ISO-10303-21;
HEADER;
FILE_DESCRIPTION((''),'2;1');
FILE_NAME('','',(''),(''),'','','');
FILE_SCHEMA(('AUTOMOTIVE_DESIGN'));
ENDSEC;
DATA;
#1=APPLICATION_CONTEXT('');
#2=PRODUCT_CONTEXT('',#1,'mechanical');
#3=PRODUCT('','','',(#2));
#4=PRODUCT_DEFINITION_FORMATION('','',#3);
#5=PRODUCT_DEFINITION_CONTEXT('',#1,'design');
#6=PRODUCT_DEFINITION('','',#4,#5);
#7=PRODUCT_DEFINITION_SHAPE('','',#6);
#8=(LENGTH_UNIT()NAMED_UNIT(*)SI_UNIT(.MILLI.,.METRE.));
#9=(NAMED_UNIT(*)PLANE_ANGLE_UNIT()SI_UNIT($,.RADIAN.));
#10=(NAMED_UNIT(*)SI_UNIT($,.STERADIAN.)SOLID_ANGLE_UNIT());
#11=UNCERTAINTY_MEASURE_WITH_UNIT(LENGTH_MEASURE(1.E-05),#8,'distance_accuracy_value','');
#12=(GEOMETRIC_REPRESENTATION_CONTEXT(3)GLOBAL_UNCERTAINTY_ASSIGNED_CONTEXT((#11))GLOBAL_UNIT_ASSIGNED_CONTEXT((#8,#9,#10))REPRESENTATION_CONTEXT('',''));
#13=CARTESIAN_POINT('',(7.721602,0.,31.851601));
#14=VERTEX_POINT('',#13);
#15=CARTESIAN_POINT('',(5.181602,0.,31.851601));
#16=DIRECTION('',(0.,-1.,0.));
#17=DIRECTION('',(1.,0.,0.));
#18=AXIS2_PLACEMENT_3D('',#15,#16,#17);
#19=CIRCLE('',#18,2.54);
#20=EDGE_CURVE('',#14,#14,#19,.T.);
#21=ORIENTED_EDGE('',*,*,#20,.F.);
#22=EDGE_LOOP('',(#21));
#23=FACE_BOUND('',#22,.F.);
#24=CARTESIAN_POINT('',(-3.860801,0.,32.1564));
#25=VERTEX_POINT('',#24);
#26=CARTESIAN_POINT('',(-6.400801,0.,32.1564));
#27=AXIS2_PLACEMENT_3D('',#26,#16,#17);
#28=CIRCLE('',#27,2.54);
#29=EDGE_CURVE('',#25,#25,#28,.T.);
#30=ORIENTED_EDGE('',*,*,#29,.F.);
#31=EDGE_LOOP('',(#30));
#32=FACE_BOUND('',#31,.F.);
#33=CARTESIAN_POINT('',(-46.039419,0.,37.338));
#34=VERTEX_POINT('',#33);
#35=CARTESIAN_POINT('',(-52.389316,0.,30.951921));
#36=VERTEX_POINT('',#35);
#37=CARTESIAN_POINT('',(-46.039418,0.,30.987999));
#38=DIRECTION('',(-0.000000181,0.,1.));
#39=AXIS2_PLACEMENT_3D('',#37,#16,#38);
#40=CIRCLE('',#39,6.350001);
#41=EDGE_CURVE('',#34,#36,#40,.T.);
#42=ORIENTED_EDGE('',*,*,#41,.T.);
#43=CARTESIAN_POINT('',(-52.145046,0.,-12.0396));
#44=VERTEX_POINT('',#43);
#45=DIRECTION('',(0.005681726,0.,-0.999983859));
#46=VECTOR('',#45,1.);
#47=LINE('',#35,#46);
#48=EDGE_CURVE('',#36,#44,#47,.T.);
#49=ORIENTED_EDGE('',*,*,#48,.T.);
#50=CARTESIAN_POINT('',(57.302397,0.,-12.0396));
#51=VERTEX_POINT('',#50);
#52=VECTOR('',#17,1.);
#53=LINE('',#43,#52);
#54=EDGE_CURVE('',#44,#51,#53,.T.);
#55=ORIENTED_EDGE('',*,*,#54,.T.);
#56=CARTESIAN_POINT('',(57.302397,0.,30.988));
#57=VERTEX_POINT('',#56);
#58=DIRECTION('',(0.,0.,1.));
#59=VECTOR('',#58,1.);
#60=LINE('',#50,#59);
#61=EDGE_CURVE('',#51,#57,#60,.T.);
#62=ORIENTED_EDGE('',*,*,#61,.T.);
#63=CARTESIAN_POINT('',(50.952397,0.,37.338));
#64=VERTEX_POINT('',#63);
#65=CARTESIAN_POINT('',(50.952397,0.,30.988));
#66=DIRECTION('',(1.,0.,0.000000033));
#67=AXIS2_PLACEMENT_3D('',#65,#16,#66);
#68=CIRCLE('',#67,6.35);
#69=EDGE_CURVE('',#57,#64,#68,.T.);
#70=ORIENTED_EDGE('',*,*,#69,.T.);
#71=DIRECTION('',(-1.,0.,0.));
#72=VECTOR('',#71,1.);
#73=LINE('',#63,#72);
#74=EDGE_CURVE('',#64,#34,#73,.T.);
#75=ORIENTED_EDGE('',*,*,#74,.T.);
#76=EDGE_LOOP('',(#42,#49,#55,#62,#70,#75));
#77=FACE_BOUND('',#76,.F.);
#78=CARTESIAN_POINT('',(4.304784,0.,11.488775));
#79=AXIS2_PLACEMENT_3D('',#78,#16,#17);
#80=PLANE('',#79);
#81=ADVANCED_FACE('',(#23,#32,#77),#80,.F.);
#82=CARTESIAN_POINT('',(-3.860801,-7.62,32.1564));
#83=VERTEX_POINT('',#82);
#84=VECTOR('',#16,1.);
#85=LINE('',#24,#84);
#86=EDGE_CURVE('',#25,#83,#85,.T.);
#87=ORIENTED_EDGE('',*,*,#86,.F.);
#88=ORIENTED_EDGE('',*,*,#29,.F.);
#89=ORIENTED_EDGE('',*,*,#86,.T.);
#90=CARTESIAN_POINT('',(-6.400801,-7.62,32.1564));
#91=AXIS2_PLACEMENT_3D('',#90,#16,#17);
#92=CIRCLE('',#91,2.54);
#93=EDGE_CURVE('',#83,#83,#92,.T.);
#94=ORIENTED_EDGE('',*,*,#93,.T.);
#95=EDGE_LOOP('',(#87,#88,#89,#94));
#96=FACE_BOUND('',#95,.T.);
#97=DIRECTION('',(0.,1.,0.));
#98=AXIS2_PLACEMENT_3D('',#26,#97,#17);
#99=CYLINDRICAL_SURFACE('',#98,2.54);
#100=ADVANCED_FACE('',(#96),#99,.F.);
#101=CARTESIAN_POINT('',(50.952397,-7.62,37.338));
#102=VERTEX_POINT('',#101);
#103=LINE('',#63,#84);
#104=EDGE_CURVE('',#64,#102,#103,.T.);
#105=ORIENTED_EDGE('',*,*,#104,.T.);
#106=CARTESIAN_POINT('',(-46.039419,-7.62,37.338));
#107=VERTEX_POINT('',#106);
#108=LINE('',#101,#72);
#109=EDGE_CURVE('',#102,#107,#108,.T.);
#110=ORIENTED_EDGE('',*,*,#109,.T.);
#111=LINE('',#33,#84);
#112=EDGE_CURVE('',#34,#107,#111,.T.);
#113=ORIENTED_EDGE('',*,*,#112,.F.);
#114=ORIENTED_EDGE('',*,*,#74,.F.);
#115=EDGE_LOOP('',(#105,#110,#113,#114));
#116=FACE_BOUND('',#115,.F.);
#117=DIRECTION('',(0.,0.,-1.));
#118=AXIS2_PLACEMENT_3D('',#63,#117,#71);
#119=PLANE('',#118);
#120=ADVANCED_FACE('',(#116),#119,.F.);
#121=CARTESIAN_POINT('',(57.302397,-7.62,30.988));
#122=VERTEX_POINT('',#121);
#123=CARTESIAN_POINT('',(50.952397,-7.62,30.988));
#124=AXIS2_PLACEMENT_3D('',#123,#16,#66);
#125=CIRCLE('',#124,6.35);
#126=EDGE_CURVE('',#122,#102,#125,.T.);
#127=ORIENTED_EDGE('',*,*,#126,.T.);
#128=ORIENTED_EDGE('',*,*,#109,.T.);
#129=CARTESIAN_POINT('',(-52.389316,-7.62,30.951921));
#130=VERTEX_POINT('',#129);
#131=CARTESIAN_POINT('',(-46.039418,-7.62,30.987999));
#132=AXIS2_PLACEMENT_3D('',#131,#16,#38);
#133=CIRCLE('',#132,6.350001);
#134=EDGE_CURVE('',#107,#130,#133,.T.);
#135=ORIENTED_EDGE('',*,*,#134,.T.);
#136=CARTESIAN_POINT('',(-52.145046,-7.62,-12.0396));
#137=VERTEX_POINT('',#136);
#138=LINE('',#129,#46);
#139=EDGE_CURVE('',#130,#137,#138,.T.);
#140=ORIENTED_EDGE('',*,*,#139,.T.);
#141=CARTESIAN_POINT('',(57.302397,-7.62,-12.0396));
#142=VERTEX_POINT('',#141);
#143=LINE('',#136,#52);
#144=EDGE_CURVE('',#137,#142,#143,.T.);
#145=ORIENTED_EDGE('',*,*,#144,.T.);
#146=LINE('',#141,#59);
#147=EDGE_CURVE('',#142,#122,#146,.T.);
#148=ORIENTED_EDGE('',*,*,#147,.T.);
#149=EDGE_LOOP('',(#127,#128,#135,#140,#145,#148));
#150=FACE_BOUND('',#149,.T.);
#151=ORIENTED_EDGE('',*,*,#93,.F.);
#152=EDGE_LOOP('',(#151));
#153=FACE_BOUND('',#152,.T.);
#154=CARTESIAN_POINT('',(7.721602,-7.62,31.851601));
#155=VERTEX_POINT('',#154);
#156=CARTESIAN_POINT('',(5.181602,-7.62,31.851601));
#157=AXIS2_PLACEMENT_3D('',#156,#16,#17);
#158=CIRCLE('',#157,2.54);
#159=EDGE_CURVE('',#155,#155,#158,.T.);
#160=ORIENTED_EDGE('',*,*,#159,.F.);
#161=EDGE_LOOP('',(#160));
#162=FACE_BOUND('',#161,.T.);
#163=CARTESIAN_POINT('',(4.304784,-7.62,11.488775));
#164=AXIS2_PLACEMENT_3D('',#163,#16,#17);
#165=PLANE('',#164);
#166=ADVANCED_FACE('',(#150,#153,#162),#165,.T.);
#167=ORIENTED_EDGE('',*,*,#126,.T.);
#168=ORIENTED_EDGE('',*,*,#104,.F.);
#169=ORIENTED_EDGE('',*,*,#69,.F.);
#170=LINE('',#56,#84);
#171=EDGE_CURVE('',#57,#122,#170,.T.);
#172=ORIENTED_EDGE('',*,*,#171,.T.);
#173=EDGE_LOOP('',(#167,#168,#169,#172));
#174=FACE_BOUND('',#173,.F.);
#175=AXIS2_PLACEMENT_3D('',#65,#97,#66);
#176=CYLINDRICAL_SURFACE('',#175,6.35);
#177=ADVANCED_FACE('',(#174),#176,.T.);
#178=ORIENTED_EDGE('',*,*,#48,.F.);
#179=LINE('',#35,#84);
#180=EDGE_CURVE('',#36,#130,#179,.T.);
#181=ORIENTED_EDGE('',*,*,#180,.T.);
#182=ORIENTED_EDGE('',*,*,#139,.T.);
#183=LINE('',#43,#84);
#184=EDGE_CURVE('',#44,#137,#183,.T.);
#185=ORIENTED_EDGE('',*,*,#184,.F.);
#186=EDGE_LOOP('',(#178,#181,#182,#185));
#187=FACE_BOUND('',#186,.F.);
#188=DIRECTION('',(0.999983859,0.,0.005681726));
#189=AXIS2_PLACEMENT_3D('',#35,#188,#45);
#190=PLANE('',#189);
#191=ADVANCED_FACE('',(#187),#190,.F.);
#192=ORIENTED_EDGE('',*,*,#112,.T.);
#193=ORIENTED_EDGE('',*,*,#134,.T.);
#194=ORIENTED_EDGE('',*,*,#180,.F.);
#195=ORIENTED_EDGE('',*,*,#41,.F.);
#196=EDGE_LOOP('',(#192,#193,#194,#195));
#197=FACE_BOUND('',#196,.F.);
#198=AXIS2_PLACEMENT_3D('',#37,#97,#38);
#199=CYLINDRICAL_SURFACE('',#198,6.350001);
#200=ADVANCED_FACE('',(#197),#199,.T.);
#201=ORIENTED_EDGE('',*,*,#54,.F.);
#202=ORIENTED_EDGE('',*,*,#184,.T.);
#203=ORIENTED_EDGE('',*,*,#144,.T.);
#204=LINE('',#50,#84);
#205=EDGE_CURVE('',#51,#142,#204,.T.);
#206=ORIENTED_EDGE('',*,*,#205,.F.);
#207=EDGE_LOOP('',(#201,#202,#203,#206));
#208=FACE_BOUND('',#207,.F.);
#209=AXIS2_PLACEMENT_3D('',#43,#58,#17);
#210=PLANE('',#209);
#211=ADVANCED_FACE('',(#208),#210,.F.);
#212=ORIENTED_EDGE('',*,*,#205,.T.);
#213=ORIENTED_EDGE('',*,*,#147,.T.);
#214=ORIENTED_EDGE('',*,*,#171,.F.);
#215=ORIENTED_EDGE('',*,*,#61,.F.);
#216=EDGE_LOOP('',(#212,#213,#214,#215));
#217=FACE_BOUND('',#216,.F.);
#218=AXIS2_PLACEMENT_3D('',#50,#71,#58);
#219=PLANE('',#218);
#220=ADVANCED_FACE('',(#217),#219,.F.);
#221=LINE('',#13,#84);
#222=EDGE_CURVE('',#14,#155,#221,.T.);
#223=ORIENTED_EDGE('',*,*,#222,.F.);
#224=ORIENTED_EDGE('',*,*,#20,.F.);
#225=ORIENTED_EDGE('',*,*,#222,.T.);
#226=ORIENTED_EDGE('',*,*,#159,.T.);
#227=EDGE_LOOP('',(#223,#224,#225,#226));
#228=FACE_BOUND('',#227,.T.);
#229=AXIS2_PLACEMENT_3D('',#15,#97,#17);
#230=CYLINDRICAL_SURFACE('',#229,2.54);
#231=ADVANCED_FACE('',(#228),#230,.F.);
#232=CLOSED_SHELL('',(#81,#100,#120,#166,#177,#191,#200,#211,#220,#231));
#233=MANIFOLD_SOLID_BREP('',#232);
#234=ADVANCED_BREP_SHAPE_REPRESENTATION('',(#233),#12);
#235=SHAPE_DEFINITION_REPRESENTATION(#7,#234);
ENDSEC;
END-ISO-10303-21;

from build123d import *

# Parameters (mm, degrees)
F0_R     = 2.54
F0_W     = 1.27
F0_H     = 5.4864
F1_DEPTH = 7.62


with BuildPart() as f1:
    # F0 (on Front) → F1 (new body)
    with BuildSketch(Plane.XZ):
        with BuildLine():
            Line((50.952397, 37.338), (-46.039419, 37.338))
            ThreePointArc((-46.039419, 37.338), (-50.542284, 35.465354), (-52.389316, 30.951921))
            Line((-52.389316, 30.951921), (-52.145046, -12.0396))
            Line((-52.145046, -12.0396), (53.289197, -12.0396))
            Line((53.289197, -12.0396), (54.559197, -12.0396))
            Line((54.559197, -12.0396), (54.559197, -6.5532))
            Line((54.559197, -6.5532), (55.829197, -6.5532))
            Line((55.829197, -6.5532), (55.829197, -12.0396))
            Line((55.829197, -12.0396), (57.302397, -12.0396))
            Line((57.302397, -12.0396), (57.302397, 30.988))
            ThreePointArc((57.302397, 30.988), (55.442525, 35.478128), (50.952397, 37.338))
        make_face()
        with Locations((-6.400801, 32.1564)):
            Circle(F0_R, mode=Mode.SUBTRACT)
        with Locations((5.181602, 31.851601)):
            Circle(F0_R, mode=Mode.SUBTRACT)
        with Locations((55.194197, -9.2964)):
            Rectangle(F0_W, F0_H)
    extrude(amount=F1_DEPTH)


solid = f1.part
